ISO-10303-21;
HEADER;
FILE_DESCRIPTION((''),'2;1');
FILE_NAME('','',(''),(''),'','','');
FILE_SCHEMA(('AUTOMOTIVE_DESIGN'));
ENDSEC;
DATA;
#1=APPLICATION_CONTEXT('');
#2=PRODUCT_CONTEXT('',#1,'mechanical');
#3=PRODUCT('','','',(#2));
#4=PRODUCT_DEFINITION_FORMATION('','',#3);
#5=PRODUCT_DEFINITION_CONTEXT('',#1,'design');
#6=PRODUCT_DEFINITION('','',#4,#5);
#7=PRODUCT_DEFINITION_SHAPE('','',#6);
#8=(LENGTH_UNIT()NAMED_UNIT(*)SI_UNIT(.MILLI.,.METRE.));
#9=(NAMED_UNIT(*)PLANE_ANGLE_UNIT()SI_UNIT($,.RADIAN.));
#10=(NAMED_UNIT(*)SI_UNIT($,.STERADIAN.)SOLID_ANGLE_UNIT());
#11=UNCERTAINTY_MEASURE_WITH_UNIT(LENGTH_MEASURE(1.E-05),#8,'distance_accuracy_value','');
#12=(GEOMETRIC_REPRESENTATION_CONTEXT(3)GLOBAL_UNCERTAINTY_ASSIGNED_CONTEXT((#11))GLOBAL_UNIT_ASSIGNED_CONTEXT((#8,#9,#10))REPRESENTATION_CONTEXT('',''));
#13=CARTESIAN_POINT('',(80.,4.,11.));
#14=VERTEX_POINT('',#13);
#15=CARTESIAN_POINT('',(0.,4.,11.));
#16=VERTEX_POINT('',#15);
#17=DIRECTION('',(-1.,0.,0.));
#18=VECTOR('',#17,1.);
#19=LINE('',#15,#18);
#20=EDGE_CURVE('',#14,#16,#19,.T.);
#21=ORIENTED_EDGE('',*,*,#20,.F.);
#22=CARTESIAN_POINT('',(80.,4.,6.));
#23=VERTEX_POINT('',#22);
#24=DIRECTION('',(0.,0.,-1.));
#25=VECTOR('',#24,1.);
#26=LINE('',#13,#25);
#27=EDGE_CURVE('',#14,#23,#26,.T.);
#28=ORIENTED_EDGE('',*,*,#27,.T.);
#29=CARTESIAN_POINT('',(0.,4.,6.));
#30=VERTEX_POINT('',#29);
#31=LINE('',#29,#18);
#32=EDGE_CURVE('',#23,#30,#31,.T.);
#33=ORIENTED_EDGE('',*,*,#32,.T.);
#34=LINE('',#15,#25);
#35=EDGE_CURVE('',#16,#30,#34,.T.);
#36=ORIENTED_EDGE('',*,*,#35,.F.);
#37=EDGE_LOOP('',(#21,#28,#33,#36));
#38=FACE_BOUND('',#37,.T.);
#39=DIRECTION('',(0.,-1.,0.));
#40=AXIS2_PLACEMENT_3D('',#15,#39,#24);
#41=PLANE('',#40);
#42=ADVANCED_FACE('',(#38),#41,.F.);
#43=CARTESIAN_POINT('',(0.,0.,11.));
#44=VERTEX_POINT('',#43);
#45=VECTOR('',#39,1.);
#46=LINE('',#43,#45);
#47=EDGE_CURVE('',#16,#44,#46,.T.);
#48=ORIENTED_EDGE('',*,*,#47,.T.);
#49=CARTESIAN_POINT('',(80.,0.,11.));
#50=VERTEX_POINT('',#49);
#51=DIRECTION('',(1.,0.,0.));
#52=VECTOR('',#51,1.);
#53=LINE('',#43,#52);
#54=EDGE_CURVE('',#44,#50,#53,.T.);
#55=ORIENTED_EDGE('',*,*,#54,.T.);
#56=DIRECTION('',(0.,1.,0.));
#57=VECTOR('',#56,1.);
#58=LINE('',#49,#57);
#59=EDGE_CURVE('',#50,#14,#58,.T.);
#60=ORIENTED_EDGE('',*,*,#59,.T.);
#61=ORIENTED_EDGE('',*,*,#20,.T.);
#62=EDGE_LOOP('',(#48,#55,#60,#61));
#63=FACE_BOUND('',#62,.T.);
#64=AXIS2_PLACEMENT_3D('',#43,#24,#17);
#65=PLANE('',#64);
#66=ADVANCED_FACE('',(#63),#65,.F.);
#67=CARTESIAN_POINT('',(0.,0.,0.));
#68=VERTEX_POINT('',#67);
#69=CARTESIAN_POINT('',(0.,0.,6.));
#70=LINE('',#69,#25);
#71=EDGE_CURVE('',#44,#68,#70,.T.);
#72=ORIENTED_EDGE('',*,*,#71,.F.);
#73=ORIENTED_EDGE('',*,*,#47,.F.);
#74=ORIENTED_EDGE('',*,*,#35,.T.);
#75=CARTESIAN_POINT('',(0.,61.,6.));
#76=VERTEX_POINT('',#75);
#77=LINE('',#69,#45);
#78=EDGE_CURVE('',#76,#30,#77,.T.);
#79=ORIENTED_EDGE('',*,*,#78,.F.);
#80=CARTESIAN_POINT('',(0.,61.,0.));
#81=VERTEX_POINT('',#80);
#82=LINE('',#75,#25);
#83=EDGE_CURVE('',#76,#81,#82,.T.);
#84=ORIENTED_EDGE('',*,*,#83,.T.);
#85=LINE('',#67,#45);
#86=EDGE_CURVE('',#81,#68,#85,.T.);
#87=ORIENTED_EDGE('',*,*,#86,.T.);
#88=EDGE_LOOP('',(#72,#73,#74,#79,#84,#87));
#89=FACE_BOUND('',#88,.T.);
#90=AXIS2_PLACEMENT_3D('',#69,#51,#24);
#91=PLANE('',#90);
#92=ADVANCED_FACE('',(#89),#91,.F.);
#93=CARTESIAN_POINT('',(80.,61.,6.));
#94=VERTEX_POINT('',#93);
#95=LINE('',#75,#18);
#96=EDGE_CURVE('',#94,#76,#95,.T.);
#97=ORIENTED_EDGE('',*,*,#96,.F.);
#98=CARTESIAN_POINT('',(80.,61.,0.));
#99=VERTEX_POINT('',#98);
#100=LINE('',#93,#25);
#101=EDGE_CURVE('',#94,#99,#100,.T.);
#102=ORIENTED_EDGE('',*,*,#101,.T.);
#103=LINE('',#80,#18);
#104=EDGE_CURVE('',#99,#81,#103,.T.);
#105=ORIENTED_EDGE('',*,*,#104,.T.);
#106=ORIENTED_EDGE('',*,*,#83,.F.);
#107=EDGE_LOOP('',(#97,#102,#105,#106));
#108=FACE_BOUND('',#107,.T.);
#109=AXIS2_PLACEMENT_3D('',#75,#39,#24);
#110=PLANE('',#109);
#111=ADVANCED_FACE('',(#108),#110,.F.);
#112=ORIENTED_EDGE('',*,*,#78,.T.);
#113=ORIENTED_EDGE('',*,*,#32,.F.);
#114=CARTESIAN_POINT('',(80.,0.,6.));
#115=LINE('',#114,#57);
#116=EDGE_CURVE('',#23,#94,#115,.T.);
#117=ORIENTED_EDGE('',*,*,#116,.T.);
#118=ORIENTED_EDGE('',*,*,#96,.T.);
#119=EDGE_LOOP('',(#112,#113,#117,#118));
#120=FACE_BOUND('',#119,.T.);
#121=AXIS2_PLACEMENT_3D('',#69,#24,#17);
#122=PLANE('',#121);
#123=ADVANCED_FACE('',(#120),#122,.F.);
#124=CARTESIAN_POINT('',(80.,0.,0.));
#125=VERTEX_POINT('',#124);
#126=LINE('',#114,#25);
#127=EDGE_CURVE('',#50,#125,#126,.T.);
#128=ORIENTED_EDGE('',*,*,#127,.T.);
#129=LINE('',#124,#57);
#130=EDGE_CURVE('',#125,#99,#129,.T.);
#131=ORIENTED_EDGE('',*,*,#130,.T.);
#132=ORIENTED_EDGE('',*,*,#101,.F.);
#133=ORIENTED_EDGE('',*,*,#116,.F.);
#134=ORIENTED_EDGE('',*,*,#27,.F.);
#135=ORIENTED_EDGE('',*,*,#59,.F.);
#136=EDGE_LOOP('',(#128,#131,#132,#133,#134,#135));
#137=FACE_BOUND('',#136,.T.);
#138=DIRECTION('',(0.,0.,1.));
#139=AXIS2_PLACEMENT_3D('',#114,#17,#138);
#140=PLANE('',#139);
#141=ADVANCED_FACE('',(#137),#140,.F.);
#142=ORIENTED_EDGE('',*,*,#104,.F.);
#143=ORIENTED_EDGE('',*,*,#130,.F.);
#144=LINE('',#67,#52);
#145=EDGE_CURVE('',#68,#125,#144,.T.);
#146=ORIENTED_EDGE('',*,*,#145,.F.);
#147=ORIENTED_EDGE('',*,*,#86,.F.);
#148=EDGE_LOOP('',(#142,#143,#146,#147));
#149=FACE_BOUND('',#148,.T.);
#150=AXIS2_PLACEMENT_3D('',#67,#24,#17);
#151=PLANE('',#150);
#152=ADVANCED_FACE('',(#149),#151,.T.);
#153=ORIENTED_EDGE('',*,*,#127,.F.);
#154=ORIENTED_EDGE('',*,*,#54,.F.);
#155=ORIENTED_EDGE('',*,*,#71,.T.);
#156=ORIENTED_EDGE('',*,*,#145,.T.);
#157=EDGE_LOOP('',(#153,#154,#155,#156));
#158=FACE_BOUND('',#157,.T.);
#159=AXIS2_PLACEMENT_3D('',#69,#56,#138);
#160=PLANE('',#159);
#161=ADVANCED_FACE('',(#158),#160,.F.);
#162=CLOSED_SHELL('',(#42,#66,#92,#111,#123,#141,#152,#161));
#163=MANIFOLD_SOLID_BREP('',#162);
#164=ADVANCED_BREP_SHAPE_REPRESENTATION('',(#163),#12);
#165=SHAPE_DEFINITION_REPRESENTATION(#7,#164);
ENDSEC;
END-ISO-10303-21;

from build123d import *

# Parameters (mm, degrees)
CROQUIS1_W              = 80
CROQUIS1_H              = 61
SALIENTE_EXTRUIR1_DEPTH = 6
CROQUIS2_W              = 80
CROQUIS2_H              = 4
SALIENTE_EXTRUIR2_DEPTH = 5


with BuildPart() as part:
    # Croquis1 → Saliente-Extruir1 (new body)
    with BuildSketch(Plane.XY):
        with Locations((40, 30.5)):
            Rectangle(CROQUIS1_W, CROQUIS1_H)
    extrude(amount=SALIENTE_EXTRUIR1_DEPTH)

    # Croquis2 → Saliente-Extruir2 (add)
    with BuildSketch(Plane.XY.offset(6)):
        with Locations((40, 2)):
            Rectangle(CROQUIS2_W, CROQUIS2_H)
    extrude(amount=SALIENTE_EXTRUIR2_DEPTH)


solid = part.part
